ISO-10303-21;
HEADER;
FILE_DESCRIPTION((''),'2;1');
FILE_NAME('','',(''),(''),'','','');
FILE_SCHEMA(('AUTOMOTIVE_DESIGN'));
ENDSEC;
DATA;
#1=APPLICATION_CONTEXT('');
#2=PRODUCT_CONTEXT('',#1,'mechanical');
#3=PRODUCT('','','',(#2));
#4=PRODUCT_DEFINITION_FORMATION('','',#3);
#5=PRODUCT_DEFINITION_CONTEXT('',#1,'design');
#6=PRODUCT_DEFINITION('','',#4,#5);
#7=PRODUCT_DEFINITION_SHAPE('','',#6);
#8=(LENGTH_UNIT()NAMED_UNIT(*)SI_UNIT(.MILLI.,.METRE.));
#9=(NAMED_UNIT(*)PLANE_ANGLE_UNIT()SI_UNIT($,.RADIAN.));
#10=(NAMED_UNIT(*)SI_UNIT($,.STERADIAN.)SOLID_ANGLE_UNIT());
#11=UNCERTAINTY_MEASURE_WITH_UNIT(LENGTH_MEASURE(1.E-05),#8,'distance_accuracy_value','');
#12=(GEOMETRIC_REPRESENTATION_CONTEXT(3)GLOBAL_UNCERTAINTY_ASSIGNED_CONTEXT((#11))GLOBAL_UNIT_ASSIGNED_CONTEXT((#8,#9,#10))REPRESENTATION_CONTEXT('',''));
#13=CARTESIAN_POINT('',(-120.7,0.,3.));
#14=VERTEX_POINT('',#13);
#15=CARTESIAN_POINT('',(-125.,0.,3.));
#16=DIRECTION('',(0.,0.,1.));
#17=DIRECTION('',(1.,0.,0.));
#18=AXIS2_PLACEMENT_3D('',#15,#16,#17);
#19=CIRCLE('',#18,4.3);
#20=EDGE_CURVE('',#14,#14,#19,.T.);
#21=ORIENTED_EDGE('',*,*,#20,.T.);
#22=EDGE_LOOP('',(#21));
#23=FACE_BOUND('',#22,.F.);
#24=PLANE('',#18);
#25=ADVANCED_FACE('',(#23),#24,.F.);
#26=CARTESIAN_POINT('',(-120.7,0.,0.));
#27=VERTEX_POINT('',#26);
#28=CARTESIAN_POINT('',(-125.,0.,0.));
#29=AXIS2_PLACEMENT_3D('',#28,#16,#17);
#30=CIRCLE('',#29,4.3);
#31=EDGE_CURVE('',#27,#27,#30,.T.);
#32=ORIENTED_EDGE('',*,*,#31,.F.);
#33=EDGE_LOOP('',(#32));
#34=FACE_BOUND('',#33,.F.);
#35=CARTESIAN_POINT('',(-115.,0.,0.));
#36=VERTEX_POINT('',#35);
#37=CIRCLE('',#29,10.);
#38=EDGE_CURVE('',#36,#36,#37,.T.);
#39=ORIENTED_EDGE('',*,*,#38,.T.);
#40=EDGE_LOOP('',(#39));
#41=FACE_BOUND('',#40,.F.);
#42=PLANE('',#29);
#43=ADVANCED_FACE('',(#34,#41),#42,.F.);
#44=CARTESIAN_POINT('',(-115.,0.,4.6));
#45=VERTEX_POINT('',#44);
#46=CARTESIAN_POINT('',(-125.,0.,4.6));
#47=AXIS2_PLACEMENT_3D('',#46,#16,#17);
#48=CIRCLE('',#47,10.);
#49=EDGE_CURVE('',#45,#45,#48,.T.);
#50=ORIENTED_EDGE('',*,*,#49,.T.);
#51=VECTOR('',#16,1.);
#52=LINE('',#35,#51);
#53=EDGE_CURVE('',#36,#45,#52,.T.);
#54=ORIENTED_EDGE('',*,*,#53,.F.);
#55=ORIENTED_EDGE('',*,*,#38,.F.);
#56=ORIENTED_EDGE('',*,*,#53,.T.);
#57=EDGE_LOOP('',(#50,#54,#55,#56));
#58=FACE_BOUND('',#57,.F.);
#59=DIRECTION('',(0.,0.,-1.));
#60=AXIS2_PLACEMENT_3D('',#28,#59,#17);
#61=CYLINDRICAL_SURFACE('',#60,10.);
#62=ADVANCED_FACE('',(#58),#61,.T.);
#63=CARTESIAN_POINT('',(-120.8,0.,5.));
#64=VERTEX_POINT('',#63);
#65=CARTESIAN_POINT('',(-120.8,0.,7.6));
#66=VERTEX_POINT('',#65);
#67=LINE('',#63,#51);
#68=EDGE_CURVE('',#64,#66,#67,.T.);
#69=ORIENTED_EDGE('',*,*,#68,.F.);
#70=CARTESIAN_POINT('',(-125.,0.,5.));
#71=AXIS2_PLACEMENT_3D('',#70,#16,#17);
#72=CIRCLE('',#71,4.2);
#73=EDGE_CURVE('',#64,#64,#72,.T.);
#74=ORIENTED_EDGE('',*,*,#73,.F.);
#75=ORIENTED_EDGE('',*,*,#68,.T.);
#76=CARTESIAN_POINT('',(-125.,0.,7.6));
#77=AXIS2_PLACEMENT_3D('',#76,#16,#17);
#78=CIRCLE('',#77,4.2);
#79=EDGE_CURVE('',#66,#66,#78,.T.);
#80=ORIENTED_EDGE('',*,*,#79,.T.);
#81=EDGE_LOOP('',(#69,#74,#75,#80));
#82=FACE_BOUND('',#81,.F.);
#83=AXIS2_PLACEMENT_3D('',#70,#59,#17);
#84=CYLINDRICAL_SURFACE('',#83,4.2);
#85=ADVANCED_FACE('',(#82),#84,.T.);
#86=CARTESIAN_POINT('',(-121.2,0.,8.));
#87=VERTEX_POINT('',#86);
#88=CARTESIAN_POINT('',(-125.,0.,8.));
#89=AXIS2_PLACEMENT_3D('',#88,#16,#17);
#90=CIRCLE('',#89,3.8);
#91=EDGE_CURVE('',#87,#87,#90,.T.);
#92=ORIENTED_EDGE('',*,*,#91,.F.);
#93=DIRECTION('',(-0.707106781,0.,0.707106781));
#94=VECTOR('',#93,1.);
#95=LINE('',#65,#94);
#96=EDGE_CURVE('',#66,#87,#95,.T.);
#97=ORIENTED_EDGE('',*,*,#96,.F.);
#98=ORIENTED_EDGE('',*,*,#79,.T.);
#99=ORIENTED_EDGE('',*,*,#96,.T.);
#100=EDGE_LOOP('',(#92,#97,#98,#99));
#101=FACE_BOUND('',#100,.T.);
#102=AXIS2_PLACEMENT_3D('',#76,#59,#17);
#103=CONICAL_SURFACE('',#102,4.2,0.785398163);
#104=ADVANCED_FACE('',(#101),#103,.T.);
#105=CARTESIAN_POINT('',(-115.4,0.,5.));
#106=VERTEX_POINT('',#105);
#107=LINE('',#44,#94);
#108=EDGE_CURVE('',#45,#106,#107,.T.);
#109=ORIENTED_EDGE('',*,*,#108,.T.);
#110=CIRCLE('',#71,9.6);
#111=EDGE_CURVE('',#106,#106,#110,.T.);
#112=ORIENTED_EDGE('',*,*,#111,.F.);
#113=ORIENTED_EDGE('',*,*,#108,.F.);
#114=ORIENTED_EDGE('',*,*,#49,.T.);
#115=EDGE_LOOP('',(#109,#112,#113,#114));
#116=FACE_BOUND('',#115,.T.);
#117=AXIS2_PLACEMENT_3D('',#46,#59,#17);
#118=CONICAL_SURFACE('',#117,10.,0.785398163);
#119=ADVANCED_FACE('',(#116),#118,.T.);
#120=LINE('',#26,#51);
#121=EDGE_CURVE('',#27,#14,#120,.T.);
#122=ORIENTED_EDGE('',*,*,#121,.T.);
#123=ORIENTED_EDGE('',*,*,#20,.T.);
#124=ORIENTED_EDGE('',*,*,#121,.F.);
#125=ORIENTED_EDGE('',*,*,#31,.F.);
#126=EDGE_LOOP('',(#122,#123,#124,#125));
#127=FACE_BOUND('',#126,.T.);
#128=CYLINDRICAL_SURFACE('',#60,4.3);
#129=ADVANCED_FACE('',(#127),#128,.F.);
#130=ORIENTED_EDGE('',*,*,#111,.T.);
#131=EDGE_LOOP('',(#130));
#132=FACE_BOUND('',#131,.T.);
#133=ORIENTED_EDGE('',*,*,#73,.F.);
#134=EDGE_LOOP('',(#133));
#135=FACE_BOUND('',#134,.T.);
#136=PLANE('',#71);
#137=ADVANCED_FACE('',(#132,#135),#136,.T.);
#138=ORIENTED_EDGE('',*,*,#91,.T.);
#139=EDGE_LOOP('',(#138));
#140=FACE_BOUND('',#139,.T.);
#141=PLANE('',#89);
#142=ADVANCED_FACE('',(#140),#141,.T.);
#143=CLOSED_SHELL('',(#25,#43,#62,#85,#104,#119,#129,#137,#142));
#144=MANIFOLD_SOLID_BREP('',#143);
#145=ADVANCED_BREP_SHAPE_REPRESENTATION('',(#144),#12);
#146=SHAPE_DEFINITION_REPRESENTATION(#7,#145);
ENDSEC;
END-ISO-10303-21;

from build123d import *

# Parameters (mm, degrees)
CYLINDER022001020_R     = 4.2
CYLINDER022001020_DEPTH = 3
CYLINDER022001021_R     = 4.3
CYLINDER022001021_DEPTH = 3
CYLINDER022001019_R     = 10
CYLINDER022001019_DEPTH = 5
CHAMFER025002_SIZE      = 0.4


with BuildPart() as cylinder022001020:
    # Cylinder022001020 → Cylinder022001020 (new body)
    with BuildSketch(Plane(origin=(-125, 0, 5), x_dir=(1, 0, 0), z_dir=(0, 0, 1))):
        Circle(CYLINDER022001020_R)
    extrude(amount=CYLINDER022001020_DEPTH)


with BuildPart() as cylinder022001021:
    # Cylinder022001021 → Cylinder022001021 (new body)
    with BuildSketch(Plane(origin=(-125, 0, 0), x_dir=(1, 0, 0), z_dir=(0, 0, 1))):
        Circle(CYLINDER022001021_R)
    extrude(amount=CYLINDER022001021_DEPTH)


with BuildPart() as spacer_r1:
    # Cylinder022001019 → Cylinder022001019 (new body)
    with BuildSketch(Plane(origin=(-125, 0, 0), x_dir=(1, 0, 0), z_dir=(0, 0, 1))):
        Circle(CYLINDER022001019_R)
    extrude(amount=CYLINDER022001019_DEPTH)

    # Cut021013056002: cut Cylinder022001021
    add(cylinder022001021.part, mode=Mode.SUBTRACT)

    # Fusion006010: union Cylinder022001020
    add(cylinder022001020.part)

    # Chamfer025002
    chamfer025002_edges = [spacer_r1.edges().sort_by_distance(p)[0] for p in [
        (-135, 0, 5),
        (-129.2, 0, 8),
    ]]
    chamfer(chamfer025002_edges, length=CHAMFER025002_SIZE)


solid = spacer_r1.part
